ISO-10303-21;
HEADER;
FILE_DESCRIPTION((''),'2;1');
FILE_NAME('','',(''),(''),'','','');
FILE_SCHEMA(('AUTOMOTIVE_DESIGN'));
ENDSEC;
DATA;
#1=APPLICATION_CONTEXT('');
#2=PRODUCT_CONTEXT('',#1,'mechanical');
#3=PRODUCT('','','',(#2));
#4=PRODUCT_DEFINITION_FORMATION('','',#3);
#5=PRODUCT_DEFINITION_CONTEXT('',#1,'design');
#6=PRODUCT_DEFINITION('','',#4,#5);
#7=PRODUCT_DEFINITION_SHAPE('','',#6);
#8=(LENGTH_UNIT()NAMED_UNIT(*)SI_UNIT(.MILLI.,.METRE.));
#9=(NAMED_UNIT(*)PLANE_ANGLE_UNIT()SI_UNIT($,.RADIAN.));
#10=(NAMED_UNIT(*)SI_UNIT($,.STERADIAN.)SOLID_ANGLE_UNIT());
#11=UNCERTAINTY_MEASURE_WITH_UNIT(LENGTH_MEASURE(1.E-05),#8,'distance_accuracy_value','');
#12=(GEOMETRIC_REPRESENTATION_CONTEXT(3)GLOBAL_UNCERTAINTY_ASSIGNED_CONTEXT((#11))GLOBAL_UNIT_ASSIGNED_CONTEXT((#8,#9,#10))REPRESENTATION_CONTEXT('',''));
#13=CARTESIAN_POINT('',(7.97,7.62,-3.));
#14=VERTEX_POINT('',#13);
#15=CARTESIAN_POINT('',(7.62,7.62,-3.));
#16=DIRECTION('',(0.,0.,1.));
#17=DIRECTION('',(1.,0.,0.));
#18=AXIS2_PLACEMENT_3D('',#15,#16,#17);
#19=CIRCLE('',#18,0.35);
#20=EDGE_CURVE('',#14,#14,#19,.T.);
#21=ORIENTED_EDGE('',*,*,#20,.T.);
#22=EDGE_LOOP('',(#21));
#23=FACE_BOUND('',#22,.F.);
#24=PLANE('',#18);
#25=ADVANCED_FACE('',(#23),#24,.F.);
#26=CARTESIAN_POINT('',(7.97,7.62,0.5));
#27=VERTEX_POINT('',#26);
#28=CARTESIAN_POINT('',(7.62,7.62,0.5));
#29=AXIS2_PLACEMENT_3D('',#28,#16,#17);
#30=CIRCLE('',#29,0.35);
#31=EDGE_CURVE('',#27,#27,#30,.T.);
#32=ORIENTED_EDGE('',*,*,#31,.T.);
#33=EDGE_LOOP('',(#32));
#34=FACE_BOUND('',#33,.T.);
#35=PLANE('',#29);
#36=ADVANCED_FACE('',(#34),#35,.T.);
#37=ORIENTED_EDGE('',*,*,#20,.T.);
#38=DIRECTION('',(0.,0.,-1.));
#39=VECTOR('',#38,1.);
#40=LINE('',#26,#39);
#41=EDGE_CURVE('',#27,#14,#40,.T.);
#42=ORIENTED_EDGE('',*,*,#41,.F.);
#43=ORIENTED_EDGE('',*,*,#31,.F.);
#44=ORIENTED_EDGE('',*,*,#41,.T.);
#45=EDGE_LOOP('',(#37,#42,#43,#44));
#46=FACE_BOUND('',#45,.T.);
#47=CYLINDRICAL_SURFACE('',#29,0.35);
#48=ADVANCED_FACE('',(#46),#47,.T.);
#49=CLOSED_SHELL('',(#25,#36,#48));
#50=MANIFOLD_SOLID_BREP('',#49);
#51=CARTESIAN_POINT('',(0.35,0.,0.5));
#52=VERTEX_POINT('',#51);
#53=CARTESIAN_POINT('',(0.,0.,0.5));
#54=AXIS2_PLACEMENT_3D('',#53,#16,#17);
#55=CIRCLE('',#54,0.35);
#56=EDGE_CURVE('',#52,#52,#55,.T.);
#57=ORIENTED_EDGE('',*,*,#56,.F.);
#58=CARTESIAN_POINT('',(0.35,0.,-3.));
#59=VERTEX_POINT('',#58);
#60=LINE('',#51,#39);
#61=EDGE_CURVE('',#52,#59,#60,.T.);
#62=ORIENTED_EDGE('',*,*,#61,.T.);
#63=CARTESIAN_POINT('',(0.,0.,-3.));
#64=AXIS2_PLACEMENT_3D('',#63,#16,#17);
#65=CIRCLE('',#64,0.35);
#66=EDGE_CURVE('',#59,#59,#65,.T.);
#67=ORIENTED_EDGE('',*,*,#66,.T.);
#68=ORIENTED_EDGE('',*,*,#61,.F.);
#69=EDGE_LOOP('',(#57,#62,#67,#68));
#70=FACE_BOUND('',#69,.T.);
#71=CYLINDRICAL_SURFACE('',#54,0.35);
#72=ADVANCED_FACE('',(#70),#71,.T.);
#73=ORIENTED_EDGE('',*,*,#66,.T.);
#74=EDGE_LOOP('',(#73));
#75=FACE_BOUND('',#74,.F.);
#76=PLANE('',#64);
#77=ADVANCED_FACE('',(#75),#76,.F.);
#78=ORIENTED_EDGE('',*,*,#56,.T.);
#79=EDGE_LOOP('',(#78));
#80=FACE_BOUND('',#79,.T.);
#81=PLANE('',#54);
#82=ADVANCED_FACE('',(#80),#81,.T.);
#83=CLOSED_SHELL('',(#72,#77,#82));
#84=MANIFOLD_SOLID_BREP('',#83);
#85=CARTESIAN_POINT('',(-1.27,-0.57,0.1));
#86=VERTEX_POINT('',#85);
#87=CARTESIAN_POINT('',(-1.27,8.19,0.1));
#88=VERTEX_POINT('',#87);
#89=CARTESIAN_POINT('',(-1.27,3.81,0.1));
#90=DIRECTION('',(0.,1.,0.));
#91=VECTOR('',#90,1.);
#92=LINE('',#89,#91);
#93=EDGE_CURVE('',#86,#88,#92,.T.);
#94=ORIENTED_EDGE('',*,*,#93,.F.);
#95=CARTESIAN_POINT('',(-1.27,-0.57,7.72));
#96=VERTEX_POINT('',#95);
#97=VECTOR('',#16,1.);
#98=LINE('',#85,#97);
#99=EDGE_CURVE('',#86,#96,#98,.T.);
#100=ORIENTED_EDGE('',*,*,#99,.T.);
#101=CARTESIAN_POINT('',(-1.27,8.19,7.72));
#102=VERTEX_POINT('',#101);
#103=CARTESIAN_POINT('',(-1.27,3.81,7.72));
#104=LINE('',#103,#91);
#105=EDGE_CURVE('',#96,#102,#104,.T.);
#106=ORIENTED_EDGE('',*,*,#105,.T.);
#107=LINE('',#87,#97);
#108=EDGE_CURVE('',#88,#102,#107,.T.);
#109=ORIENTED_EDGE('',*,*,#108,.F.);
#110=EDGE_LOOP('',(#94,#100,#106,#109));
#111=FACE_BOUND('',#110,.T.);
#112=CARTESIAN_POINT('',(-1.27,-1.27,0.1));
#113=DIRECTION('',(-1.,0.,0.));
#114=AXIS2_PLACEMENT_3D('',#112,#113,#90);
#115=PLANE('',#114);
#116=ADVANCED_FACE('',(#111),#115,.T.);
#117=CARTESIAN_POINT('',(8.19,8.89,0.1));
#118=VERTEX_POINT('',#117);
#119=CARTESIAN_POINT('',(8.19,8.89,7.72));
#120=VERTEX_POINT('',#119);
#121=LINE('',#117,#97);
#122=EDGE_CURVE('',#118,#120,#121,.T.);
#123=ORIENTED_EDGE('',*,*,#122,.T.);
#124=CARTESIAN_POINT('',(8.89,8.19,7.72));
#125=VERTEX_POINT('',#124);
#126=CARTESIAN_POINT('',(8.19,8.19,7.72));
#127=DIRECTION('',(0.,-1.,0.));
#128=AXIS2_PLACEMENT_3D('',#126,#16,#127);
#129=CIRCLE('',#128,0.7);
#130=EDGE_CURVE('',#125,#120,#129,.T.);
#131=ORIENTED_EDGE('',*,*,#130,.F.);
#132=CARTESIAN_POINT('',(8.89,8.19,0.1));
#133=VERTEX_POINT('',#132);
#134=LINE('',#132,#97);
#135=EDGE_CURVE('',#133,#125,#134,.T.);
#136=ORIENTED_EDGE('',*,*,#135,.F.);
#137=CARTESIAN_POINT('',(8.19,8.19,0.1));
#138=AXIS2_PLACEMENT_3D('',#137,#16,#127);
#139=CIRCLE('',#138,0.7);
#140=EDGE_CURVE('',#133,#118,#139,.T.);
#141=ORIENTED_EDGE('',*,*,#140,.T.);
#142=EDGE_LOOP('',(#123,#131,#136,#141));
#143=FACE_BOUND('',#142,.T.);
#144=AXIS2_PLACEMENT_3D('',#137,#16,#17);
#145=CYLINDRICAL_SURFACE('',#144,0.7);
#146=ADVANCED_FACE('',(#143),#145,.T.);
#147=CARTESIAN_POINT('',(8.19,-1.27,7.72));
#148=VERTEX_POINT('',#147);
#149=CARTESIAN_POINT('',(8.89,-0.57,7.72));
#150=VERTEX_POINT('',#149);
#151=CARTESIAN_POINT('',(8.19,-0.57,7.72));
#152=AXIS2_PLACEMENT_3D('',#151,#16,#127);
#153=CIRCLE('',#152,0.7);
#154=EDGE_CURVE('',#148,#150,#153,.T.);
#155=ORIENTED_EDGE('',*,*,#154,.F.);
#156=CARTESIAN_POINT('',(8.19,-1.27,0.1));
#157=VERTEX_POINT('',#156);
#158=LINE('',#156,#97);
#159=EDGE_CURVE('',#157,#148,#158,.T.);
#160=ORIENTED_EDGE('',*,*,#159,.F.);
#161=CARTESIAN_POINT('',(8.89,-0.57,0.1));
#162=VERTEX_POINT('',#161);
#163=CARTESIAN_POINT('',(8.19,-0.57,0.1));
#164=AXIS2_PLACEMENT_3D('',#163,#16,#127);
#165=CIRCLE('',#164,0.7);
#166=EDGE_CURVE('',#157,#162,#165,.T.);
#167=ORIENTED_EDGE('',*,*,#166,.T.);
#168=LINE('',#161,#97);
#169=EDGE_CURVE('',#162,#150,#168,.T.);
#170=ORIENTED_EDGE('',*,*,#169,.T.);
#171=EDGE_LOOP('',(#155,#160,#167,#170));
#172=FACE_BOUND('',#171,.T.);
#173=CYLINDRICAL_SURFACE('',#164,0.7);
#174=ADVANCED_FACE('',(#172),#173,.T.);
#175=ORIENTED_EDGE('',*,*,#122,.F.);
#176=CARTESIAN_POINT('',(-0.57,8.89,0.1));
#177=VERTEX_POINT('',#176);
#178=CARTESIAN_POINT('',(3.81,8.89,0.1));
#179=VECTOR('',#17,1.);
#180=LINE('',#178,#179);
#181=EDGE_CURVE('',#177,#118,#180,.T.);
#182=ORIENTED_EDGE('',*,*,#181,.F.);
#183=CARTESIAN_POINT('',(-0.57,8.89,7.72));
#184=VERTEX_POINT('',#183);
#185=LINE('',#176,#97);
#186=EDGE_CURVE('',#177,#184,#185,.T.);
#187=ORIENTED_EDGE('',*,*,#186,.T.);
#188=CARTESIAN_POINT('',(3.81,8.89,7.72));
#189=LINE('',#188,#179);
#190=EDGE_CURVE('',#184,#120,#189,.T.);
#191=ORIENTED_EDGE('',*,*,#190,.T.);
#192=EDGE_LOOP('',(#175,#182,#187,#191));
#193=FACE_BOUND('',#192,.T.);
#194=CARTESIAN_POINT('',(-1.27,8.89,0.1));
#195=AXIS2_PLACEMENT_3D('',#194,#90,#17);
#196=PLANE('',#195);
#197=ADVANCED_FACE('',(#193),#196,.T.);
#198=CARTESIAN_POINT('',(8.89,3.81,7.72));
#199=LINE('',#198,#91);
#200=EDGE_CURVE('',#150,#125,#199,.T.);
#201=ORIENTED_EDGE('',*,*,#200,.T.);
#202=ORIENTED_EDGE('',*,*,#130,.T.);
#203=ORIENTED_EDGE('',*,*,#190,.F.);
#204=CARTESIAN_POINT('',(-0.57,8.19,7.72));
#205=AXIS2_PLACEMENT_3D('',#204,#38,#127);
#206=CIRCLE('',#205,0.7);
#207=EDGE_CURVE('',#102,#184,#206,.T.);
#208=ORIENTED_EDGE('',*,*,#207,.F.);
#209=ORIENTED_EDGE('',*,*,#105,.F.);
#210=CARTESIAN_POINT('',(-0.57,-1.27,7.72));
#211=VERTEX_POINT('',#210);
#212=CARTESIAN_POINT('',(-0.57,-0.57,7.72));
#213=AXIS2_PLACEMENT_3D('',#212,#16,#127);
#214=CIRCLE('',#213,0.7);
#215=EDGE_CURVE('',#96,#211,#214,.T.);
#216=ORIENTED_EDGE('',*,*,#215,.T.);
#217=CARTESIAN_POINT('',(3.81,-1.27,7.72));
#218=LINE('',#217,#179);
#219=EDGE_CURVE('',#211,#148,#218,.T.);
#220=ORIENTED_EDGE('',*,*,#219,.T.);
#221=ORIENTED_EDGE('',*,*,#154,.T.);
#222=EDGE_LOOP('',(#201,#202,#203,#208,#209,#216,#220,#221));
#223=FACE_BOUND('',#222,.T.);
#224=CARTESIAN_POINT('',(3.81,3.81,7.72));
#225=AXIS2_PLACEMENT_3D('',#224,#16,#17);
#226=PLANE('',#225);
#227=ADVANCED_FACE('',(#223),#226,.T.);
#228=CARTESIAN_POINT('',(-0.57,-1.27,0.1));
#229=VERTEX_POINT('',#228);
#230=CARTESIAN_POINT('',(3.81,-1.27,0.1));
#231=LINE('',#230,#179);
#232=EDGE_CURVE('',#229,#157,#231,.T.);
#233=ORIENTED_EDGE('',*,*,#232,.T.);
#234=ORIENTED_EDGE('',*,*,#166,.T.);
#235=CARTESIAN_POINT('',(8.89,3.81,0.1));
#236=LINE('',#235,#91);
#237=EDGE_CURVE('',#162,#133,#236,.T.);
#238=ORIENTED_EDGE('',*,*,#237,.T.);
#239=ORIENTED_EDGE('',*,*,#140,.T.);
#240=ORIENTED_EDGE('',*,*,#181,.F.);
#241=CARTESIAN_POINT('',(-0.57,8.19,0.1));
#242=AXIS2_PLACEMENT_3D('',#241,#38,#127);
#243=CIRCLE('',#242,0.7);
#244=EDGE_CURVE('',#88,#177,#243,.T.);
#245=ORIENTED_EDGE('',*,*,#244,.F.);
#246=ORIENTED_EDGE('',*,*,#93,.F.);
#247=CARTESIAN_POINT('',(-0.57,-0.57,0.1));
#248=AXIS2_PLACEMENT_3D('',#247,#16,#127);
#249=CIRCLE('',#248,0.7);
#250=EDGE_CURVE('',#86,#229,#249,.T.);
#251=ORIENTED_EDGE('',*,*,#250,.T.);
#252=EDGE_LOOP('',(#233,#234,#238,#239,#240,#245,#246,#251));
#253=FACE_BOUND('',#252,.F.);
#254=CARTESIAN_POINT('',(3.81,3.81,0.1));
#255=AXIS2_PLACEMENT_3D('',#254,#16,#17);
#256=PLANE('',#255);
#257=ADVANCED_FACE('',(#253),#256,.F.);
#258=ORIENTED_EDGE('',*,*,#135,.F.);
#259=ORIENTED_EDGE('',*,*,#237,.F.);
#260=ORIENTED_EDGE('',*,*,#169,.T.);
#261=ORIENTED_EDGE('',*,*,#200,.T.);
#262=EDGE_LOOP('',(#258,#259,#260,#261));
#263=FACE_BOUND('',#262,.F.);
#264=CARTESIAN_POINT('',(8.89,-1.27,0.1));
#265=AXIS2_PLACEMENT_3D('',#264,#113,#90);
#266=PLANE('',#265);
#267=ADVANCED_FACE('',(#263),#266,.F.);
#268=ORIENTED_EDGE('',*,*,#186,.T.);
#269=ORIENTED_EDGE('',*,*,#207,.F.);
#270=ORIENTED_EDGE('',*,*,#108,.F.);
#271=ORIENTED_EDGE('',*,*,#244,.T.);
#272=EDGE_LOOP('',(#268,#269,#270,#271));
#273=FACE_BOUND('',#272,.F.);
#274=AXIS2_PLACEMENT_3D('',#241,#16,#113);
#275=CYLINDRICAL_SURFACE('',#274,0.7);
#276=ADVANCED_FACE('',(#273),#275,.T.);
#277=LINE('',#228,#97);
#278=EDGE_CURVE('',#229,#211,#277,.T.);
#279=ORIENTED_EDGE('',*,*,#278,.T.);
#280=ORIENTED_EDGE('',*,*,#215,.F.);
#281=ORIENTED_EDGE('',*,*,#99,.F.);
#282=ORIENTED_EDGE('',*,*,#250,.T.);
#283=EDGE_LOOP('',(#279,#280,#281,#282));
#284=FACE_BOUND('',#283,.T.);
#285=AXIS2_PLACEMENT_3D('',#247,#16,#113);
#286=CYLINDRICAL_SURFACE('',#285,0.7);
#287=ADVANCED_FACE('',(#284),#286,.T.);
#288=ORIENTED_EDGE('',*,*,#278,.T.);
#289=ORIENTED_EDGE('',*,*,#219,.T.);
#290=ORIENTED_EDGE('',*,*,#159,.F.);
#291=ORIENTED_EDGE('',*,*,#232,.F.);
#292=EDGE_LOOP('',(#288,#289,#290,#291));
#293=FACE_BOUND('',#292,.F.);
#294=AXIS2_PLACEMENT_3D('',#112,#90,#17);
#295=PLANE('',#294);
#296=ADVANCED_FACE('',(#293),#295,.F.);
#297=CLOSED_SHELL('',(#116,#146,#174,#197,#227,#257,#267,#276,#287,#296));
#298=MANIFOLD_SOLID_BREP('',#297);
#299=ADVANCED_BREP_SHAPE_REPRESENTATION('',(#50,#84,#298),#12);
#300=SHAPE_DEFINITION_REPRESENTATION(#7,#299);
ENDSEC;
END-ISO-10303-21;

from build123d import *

# Parameters (mm, degrees)
SKETCH001_R  = 0.35
PAD001_DEPTH = 3.5
SKETCH_W     = 10.16
SKETCH_H     = 10.16
PAD_DEPTH    = 7.62
FILLET_R     = 0.7


with BuildPart() as pad001:
    # Sketch001 → Pad001 (new body)
    with BuildSketch(Plane.XY.offset(0.5)):
        Circle(SKETCH001_R)
        with Locations((7.62, 7.62)):
            Circle(SKETCH001_R)
    extrude(amount=-PAD001_DEPTH)


with BuildPart() as fillet_body:
    # Sketch → Pad (new body)
    with BuildSketch(Plane.XY.offset(0.1)):
        with Locations((3.81, 3.81)):
            Rectangle(SKETCH_W, SKETCH_H)
    extrude(amount=PAD_DEPTH)

    # Fillet
    fillet_edges = [fillet_body.edges().sort_by_distance(p)[0] for p in [
        (8.89, -1.27, 3.91),
        (8.89, 8.89, 3.91),
        (-1.27, -1.27, 3.91),
        (-1.27, 8.89, 3.91),
    ]]
    fillet(fillet_edges, radius=FILLET_R)


solid = Compound([pad001.part, fillet_body.part])
